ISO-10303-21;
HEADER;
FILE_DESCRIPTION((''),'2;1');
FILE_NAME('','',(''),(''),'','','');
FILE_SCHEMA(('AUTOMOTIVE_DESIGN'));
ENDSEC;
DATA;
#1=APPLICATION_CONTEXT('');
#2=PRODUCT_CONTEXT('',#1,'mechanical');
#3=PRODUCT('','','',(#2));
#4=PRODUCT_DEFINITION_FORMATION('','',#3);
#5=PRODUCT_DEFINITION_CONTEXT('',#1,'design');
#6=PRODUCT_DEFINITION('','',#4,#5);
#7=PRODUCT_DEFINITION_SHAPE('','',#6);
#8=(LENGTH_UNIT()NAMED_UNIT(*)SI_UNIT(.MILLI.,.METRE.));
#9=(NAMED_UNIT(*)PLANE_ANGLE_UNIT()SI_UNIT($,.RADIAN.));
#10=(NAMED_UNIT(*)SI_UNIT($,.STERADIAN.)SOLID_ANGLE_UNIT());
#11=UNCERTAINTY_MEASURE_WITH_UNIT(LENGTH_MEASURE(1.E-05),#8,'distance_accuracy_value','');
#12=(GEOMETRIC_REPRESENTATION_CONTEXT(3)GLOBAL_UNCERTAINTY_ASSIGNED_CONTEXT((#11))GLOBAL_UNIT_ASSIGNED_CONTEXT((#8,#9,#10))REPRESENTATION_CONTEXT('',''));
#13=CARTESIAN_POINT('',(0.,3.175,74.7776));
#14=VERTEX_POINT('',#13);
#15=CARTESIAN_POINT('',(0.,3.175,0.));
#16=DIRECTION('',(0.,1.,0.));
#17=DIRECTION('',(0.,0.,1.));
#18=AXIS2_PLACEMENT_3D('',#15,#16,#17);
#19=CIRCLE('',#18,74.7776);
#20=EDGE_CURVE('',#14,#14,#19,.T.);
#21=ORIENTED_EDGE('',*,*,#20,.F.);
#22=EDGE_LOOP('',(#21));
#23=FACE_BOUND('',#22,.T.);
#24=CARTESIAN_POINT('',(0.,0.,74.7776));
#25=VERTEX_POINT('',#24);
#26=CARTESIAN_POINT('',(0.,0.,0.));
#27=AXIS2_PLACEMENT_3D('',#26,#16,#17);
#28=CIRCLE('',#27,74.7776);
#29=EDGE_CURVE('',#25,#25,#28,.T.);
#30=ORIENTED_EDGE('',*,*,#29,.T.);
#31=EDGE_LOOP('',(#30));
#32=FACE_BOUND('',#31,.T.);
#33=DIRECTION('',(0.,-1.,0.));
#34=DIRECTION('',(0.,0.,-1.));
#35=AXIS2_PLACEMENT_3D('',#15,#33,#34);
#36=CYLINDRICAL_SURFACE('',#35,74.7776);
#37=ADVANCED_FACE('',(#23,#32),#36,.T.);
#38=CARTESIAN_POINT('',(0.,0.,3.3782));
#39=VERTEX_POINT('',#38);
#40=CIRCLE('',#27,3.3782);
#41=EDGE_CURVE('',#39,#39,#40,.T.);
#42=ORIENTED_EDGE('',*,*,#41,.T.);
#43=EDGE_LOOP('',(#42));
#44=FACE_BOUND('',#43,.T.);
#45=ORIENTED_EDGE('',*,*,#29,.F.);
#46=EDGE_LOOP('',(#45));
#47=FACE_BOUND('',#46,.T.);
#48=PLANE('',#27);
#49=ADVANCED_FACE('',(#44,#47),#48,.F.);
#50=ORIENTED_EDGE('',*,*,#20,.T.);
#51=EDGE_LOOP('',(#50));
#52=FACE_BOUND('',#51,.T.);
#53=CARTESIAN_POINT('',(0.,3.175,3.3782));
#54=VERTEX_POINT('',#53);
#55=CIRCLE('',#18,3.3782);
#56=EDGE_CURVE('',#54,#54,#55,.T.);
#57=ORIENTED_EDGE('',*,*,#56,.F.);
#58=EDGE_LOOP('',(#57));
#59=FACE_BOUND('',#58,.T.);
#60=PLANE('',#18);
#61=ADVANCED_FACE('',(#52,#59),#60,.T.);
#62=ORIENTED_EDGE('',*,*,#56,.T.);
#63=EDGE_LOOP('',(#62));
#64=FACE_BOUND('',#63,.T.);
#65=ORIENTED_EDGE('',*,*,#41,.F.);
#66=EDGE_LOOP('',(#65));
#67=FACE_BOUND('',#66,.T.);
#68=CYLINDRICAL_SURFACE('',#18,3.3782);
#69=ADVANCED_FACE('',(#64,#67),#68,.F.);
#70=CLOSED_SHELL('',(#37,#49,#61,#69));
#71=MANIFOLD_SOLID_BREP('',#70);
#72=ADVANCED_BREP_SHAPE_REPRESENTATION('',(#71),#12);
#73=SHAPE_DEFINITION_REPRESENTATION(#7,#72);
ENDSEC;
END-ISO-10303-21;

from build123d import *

# Parameters (mm, degrees)
SKETCH1_R               = 74.7776
BOSS_EXTRUDE1_DEPTH     = 3.175
F_1_4_CLEARANCE_HOLE1_D = 6.7564


with BuildPart() as part:
    # Sketch1 → Boss-Extrude1 (new body)
    with BuildSketch(Plane(origin=(0, 0, 0), x_dir=(1, 0, 0), z_dir=(0, 1, 0))):
        with Locations(Location((0, 0, 0), (0, 0, 270))):
            Circle(SKETCH1_R)
    extrude(amount=BOSS_EXTRUDE1_DEPTH)

    # 1/4 Clearance Hole1 (through all)
    with Locations(Plane(origin=(0, 3.175, 0), x_dir=(1, 0, 0), z_dir=(0, 1, 0))):
        with Locations((0, 0)):
            Hole(F_1_4_CLEARANCE_HOLE1_D / 2)


solid = part.part
